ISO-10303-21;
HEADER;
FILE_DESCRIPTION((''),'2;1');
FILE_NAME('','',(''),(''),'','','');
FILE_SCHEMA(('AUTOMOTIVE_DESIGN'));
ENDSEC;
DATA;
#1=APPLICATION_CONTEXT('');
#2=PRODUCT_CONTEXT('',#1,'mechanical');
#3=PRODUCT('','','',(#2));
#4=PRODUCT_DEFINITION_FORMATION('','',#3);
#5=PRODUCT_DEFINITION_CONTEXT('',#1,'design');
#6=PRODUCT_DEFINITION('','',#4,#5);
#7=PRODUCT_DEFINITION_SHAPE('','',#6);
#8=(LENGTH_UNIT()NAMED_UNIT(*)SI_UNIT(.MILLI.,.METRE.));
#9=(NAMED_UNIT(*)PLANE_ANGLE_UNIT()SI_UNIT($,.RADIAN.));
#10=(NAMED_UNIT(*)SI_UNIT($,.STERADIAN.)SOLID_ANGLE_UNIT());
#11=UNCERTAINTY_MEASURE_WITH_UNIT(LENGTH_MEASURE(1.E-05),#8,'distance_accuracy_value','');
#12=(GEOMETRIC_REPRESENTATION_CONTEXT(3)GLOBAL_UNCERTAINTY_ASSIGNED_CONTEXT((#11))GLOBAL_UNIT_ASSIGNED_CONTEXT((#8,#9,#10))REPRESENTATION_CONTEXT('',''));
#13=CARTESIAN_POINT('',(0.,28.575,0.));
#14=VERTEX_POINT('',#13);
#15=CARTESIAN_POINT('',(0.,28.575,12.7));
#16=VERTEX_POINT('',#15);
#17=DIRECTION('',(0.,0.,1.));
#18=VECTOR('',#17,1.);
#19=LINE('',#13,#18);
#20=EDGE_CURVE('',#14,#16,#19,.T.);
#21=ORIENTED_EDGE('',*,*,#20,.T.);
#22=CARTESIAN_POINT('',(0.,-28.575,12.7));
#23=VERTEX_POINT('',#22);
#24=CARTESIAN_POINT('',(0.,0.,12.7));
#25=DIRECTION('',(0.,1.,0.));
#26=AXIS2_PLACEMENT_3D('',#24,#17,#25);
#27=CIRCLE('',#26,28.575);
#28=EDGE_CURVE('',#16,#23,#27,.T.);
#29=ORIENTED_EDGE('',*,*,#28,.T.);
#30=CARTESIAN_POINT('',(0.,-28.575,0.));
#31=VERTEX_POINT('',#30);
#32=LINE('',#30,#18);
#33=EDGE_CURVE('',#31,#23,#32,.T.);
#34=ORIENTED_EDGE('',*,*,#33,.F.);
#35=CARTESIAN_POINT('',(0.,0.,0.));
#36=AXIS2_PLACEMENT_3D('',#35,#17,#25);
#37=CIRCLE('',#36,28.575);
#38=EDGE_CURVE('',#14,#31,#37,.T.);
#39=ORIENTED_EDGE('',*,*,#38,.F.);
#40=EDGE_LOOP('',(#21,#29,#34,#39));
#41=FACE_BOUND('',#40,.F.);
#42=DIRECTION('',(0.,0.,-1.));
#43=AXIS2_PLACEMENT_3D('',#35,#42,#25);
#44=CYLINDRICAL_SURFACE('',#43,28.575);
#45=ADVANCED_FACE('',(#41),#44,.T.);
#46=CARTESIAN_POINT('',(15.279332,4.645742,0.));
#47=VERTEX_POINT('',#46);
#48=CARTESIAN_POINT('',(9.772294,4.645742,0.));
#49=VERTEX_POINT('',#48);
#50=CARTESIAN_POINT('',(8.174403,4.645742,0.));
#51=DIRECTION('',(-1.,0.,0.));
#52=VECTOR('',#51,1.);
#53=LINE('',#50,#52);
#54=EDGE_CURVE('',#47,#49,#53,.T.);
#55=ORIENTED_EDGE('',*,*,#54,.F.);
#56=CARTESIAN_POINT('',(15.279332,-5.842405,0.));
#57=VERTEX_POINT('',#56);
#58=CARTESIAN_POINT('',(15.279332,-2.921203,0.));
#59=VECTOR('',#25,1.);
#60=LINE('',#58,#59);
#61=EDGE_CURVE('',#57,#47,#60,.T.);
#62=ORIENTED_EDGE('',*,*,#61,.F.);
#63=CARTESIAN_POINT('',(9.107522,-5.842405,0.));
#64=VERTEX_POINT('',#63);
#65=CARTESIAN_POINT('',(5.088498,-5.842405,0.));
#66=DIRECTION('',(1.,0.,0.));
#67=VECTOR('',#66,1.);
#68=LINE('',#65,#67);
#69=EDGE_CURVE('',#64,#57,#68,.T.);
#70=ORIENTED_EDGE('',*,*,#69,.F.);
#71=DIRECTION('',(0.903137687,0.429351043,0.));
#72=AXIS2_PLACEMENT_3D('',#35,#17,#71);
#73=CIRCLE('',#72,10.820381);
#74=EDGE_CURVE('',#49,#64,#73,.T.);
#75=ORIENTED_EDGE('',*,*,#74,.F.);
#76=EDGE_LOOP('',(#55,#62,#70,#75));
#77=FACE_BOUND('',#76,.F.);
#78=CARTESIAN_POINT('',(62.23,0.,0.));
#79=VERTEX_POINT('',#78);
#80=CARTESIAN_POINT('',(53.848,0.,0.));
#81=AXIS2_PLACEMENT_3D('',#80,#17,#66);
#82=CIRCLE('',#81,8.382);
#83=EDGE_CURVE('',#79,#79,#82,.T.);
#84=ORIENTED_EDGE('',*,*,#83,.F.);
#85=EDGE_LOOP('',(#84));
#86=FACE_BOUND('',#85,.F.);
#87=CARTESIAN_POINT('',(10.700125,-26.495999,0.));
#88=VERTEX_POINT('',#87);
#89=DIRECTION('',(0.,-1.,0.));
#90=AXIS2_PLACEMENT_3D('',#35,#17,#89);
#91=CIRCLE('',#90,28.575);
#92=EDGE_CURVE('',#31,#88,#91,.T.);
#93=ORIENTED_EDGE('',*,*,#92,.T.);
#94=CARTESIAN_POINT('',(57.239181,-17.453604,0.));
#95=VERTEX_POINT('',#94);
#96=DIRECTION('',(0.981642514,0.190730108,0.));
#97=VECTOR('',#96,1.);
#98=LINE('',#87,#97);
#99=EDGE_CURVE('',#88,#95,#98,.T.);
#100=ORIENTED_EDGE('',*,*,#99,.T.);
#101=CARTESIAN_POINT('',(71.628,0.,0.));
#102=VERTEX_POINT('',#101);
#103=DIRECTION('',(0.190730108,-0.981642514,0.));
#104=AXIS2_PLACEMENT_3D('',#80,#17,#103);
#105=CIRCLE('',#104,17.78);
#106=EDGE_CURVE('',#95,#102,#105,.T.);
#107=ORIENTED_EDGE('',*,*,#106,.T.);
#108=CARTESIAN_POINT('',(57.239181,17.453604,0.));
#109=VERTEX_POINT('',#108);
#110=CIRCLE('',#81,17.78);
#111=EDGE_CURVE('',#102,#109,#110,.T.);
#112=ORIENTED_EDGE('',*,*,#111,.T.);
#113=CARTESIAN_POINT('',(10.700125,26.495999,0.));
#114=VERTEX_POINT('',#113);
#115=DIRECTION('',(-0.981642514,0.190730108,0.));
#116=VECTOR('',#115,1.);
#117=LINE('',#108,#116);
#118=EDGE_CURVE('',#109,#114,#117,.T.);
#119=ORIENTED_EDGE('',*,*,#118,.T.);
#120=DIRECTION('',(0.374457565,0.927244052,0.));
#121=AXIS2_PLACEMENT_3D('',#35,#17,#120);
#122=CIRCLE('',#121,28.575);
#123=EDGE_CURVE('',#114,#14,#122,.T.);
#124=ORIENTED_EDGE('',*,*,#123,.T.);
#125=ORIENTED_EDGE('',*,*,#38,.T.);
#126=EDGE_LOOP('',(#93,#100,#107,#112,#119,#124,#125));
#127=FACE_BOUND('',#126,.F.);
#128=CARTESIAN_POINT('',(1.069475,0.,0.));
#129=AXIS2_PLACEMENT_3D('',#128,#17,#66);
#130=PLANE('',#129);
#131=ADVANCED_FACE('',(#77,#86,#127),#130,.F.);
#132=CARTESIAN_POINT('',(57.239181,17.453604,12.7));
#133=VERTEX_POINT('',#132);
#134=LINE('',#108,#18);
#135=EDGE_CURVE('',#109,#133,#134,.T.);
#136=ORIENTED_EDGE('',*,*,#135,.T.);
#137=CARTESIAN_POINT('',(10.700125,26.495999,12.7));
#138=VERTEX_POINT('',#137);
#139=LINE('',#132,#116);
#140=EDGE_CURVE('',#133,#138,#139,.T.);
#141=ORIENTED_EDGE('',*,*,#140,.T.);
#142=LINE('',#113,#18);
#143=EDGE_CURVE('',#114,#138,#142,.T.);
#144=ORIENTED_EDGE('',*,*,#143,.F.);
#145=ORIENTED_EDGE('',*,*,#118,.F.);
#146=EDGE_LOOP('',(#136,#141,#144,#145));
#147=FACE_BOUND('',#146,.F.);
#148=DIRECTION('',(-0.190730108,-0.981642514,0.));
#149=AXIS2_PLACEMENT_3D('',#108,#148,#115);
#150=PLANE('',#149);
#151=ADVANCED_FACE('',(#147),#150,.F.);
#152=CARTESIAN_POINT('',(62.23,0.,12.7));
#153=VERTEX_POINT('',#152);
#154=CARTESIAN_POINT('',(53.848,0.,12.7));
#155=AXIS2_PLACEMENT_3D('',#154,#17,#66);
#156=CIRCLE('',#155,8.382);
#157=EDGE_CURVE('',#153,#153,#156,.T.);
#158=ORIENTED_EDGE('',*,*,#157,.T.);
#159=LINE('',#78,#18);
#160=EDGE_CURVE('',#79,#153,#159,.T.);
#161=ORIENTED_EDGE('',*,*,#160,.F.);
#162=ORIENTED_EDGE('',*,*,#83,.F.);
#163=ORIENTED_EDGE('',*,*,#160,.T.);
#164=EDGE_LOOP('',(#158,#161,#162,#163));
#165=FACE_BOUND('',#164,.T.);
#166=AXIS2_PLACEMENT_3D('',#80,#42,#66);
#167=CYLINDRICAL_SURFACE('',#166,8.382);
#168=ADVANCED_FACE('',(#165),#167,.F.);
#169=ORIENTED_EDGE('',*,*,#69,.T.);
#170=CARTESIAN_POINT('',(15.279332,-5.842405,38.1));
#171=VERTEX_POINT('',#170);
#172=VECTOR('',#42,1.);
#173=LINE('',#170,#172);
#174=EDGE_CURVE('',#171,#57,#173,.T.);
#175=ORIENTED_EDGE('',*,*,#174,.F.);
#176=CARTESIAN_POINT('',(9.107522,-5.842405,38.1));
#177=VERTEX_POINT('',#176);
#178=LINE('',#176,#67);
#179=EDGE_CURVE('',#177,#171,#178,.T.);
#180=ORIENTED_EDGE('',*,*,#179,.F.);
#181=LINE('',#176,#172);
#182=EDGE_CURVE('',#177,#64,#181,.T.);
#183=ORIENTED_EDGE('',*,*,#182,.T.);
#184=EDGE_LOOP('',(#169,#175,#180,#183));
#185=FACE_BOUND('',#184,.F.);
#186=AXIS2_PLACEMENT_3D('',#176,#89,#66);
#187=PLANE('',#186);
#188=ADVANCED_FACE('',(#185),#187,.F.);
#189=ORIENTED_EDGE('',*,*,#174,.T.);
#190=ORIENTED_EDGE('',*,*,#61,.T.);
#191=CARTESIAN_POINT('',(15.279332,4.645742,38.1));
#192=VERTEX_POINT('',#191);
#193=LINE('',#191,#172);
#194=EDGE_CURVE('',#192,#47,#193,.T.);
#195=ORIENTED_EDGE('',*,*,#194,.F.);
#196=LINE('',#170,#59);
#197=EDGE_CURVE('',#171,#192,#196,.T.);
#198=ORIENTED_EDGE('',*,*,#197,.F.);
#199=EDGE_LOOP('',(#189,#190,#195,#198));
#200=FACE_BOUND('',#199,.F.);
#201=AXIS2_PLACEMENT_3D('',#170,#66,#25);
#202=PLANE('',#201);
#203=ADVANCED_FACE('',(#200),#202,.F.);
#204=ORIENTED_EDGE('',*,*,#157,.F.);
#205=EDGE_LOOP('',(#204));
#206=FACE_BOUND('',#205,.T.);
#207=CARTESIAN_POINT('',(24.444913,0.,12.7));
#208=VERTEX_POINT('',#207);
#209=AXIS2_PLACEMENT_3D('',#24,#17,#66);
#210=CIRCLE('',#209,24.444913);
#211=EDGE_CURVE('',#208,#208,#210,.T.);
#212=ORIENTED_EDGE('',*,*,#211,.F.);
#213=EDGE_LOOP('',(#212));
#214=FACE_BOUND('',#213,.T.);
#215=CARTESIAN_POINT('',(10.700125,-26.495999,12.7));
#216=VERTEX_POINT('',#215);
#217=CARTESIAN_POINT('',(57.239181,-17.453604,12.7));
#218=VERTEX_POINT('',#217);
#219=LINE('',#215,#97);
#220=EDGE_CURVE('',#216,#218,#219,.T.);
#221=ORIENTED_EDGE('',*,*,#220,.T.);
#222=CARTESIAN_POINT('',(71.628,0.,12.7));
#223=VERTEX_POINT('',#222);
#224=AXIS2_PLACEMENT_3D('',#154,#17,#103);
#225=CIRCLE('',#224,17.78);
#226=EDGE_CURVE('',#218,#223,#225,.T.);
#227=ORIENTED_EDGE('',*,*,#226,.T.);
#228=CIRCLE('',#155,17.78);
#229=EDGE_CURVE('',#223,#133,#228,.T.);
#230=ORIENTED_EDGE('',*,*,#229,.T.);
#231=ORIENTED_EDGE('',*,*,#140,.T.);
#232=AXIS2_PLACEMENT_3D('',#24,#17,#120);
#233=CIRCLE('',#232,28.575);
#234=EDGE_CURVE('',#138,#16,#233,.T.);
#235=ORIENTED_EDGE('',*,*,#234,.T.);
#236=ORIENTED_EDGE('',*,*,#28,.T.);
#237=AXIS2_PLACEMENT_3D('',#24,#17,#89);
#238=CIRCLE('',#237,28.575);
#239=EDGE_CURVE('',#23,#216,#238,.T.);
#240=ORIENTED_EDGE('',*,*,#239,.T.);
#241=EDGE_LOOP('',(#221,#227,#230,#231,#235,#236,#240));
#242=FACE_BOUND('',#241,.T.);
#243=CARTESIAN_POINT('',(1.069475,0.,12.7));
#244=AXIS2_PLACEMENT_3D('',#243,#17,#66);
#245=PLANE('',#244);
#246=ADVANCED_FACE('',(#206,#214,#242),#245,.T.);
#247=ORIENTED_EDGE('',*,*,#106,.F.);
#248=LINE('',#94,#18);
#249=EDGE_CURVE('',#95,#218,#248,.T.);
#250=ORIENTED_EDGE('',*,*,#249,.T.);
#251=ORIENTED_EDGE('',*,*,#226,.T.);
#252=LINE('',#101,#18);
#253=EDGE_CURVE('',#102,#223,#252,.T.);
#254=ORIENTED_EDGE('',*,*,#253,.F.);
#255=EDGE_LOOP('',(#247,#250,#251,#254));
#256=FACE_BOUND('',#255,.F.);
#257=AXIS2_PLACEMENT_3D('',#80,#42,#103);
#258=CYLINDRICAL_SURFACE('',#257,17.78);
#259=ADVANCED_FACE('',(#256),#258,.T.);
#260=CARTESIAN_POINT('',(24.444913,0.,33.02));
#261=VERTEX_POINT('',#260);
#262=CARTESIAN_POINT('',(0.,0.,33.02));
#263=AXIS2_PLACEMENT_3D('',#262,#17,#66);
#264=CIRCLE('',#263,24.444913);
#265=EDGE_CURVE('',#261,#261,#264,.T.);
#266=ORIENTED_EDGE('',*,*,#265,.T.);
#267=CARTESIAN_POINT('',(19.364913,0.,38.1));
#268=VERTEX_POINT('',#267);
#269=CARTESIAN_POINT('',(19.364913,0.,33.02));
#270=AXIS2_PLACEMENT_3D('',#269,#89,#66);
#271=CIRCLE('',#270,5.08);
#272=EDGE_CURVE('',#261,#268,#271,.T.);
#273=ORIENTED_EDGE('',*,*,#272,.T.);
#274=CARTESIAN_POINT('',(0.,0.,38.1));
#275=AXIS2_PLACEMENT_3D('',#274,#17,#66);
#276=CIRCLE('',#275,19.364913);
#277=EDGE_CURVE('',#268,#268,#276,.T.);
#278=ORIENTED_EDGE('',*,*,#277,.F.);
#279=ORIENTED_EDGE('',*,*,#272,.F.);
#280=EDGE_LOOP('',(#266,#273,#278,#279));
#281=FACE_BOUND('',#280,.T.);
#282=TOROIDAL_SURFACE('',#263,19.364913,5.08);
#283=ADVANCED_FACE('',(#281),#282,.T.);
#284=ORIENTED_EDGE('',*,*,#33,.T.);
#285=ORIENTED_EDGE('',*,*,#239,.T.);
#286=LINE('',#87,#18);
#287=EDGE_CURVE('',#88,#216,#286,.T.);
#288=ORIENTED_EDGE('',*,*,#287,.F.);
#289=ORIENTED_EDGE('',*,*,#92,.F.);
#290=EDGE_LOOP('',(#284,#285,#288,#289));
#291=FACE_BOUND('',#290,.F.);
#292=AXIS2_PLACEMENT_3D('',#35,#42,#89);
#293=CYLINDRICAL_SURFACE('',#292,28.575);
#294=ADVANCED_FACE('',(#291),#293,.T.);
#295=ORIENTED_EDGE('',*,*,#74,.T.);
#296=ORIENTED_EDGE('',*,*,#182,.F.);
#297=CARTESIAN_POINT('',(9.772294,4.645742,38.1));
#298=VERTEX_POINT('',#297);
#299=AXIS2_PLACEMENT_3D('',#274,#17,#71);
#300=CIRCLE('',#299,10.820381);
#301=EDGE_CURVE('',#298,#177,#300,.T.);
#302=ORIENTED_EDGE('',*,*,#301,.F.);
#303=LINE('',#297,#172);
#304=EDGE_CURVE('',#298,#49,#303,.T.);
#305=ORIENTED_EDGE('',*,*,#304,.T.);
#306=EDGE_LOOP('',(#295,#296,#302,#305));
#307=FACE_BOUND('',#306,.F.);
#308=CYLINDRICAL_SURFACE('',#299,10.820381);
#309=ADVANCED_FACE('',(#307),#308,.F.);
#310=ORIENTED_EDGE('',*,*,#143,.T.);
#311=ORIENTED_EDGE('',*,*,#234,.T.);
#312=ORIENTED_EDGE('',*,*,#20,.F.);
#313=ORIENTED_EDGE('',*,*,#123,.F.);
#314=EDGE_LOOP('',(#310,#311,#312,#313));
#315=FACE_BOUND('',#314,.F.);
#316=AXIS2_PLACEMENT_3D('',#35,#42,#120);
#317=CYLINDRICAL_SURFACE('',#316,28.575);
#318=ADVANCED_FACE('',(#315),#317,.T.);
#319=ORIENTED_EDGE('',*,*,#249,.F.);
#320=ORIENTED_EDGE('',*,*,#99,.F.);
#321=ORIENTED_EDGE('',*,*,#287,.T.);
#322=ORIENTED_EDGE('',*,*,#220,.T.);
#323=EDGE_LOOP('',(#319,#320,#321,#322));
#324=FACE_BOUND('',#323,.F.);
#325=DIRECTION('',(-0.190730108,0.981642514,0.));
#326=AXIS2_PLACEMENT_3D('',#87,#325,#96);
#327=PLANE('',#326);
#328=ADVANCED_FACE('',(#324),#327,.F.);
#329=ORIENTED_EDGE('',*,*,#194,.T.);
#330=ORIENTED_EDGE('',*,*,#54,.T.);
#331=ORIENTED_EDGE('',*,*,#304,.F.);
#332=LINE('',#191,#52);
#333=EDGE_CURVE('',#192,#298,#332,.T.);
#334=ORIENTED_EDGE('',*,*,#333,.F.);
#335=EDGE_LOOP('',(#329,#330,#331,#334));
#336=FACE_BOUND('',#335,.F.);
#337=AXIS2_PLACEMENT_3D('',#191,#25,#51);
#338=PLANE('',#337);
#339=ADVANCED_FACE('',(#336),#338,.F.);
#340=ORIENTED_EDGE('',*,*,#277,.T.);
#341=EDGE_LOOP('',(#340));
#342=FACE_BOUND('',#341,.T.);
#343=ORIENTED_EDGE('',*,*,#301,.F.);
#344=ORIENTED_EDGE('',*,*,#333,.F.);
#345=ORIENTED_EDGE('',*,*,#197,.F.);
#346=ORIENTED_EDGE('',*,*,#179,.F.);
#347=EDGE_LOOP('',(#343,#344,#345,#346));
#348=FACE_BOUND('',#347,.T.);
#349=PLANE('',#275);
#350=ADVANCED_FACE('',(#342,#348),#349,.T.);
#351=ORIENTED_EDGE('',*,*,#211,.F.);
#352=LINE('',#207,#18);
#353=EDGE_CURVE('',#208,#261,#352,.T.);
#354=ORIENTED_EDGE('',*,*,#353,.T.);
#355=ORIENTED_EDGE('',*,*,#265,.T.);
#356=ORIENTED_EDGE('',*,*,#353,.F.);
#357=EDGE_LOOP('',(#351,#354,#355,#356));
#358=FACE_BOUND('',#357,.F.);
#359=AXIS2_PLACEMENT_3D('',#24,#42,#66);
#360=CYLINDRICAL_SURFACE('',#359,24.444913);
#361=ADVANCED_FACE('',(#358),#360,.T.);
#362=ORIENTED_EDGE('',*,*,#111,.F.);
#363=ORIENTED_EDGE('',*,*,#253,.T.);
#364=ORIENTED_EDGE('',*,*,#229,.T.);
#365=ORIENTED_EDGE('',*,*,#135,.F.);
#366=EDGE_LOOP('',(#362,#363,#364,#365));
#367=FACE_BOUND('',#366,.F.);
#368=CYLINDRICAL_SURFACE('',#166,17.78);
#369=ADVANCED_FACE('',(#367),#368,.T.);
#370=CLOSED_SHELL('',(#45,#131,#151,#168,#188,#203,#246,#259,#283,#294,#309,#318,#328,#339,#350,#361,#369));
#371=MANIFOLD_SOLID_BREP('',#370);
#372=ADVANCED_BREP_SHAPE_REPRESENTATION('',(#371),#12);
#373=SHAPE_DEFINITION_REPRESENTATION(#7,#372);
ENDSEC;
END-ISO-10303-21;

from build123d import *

# Parameters (mm, degrees)
F0_R     = 8.382
F1_DEPTH = 12.7
F2_R     = 24.4449127013
F3_DEPTH = 25.4
F4_R     = 5.08
F6_DEPTH = 38.101


with BuildPart() as f1:
    # F0 (on Top) → F1 (new body)
    with BuildSketch(Plane.XY):
        with BuildLine():
            Line((10.7001249271, 26.4959987837), (0, 28.575))
            ThreePointArc((0, 28.575), (-28.575, 0), (0, -28.575))
            Line((0, -28.575), (10.7001249271, -26.4959987837))
            ThreePointArc((10.7001249271, -26.4959987837), (23.6884644373, -15.9808409542), (28.575, 0))
            ThreePointArc((28.575, 0), (23.6884644373, 15.9808409542), (10.7001249271, 26.4959987837))
        make_face()
        with BuildLine():
            ThreePointArc((10.7001249271, 26.4959987837), (5.4501128317, 28.0504348473), (0, 28.575))
            Line((0, 28.575), (10.7001249271, 26.4959987837))
        make_face()
        with BuildLine():
            Line((10.7001249271, -26.4959987837), (0, -28.575))
            ThreePointArc((0, -28.575), (5.4501128317, -28.0504348473), (10.7001249271, -26.4959987837))
        make_face()
        with BuildLine():
            Line((57.2391813175, 17.453603905), (10.7001249271, 26.4959987837))
            ThreePointArc((10.7001249271, 26.4959987837), (23.6884644373, 15.9808409542), (28.575, 0))
            ThreePointArc((28.575, 0), (23.6884644373, -15.9808409542), (10.7001249271, -26.4959987837))
            Line((10.7001249271, -26.4959987837), (57.2391813175, -17.453603905))
            ThreePointArc((57.2391813175, -17.453603905), (36.068, 0), (57.2391813175, 17.453603905))
        make_face()
        with BuildLine():
            ThreePointArc((71.628, 0), (67.5670306477, 11.3100220198), (57.2391813175, 17.453603905))
            ThreePointArc((57.2391813175, 17.453603905), (36.068, 0), (57.2391813175, -17.453603905))
            ThreePointArc((57.2391813175, -17.453603905), (67.5670306477, -11.3100220198), (71.628, 0))
        make_face()
        with Locations((53.848, 0)):
            Circle(F0_R, mode=Mode.SUBTRACT)
    extrude(amount=F1_DEPTH)

    # F2 (on face) → F3 (join)
    with BuildSketch(Plane.XY.offset(12.7)):
        Circle(F2_R)
    extrude(amount=F3_DEPTH)

    # F4
    f4_edges = [f1.edges().sort_by_distance(p)[0] for p in [
        (-24.444913, 0, 38.1),
    ]]
    fillet(f4_edges, radius=F4_R)

    # F5 (on face) → F6 (cut, through all)
    with BuildSketch(Plane.XY.offset(38.1)):
        with BuildLine():
            ThreePointArc((9.1075219166, -5.8424050607), (10.3833403237, -3.0441576954), (10.8203813405, 0))
            ThreePointArc((10.8203813405, 0), (10.5551078143, 2.3812499619), (9.7722941793, 4.6457420103))
            ThreePointArc((9.7722941793, 4.6457420103), (10.338343211, -0.6552772156), (9.1075219166, -5.8424050607))
        make_face()
        with BuildLine():
            ThreePointArc((9.7722941793, 4.6457420103), (10.5551078143, 2.3812499619), (10.8203813405, 0))
            ThreePointArc((10.8203813405, 0), (10.3833403237, -3.0441576954), (9.1075219166, -5.8424050607))
            Line((9.1075219166, -5.8424050607), (15.2793318605, -5.8424050607))
            Line((15.2793318605, -5.8424050607), (15.2793318605, 4.6457420103))
            Line((15.2793318605, 4.6457420103), (9.7722941793, 4.6457420103))
        make_face()
        with BuildLine():
            ThreePointArc((9.1075219166, -5.8424050607), (10.338343211, -0.6552772156), (9.7722941793, 4.6457420103))
            ThreePointArc((9.7722941793, 4.6457420103), (-10.7987115527, 0.6844568316), (9.1075219166, -5.8424050607))
        make_face()
    extrude(amount=-F6_DEPTH, mode=Mode.SUBTRACT)


solid = f1.part
